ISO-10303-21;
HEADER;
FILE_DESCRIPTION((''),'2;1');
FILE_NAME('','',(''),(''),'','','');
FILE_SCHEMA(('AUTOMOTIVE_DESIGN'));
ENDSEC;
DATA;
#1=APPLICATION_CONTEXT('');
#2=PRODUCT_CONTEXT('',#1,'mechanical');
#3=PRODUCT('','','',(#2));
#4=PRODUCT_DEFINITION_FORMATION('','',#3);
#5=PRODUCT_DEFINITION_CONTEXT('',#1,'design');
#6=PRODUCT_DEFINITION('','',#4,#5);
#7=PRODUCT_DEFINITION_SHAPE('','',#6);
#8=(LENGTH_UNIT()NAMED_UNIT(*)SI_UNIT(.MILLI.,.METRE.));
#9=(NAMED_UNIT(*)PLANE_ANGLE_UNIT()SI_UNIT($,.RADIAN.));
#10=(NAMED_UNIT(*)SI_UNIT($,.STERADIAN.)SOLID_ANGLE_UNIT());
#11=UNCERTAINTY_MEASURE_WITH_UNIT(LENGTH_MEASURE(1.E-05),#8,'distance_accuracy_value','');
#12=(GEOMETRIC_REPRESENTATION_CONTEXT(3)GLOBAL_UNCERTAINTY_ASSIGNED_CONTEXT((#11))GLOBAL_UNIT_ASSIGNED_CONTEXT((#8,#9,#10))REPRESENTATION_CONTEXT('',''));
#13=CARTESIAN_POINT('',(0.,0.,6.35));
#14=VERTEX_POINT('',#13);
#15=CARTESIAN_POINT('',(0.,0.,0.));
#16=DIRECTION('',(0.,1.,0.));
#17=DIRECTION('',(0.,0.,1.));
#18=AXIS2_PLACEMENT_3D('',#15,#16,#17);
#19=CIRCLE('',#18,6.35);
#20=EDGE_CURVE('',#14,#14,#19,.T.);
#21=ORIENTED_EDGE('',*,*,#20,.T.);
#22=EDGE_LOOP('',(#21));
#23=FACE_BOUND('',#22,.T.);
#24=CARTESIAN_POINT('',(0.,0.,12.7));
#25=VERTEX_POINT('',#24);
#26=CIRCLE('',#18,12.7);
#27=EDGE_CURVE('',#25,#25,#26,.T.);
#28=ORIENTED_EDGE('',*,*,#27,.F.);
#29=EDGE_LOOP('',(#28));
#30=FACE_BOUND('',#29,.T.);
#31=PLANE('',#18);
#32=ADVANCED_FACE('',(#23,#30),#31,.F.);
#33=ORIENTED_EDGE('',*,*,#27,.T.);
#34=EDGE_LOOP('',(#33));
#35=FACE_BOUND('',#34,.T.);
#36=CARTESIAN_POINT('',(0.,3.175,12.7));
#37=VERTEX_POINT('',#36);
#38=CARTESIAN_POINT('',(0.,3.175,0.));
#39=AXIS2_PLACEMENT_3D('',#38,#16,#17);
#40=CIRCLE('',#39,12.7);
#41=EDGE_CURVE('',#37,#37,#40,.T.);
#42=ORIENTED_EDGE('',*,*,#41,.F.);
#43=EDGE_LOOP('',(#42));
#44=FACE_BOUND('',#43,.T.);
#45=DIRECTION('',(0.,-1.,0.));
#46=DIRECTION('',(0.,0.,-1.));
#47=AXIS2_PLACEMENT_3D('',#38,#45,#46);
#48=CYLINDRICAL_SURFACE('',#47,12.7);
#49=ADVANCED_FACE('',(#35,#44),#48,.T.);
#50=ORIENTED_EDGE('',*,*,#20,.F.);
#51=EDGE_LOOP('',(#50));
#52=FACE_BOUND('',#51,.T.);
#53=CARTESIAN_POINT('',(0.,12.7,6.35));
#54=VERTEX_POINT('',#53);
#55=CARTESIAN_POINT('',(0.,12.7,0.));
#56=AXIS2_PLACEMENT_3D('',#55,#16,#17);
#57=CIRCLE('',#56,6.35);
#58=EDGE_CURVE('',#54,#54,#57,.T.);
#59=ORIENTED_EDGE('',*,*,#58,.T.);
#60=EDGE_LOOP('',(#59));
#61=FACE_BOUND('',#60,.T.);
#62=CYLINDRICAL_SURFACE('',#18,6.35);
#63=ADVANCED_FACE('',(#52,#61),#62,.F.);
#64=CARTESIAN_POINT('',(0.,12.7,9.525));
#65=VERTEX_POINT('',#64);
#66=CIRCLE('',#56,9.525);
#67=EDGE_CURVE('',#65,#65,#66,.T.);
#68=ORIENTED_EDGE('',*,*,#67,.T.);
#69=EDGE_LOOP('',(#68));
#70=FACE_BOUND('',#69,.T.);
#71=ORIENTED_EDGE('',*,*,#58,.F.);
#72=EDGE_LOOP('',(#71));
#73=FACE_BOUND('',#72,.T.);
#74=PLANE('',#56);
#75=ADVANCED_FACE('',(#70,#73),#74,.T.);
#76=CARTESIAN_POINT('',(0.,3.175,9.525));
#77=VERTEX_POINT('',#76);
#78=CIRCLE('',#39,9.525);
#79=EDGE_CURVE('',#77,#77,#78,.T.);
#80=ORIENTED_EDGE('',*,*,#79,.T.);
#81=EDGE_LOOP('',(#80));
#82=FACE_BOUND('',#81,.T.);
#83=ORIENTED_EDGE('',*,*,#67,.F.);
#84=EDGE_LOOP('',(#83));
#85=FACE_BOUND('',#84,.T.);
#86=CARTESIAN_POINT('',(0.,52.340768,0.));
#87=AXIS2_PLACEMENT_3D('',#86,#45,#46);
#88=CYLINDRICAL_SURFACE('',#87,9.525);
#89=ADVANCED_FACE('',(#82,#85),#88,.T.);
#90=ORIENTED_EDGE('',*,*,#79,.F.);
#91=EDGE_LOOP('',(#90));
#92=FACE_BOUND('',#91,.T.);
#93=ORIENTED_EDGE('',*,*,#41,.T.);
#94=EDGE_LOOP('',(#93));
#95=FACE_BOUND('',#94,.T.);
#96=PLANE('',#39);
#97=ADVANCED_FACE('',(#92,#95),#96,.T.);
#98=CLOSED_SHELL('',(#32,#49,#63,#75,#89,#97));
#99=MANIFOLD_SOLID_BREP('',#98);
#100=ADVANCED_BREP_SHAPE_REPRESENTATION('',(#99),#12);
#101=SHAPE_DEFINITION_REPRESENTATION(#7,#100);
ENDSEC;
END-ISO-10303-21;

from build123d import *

# Parameters (mm, degrees)
SKETCH1_R           = 12.7
BOSS_EXTRUDE1_DEPTH = 3.175
SKETCH2_R           = 9.525
BOSS_EXTRUDE2_DEPTH = 9.525
SKETCH3_R           = 6.35
CUT_EXTRUDE1_DEPTH  = 22.997045256


with BuildPart() as part:
    # Sketch1 → Boss-Extrude1 (new body)
    with BuildSketch(Plane(origin=(0, 0, 0), x_dir=(1, 0, 0), z_dir=(0, 1, 0))):
        with Locations(Location((0, 0, 0), (0, 0, 270))):
            Circle(SKETCH1_R)
    extrude(amount=BOSS_EXTRUDE1_DEPTH)

    # Sketch2 → Boss-Extrude2 (add)
    with BuildSketch(Plane(origin=(0, 3.175, 0), x_dir=(1, 0, 0), z_dir=(0, 1, 0))):
        with Locations(Location((0, 0, 0), (0, 0, 270))):
            Circle(SKETCH2_R)
    extrude(amount=BOSS_EXTRUDE2_DEPTH)

    # Sketch3 → Cut-Extrude1 (cut, through all)
    with BuildSketch(Plane(origin=(0, 12.7, 0), x_dir=(1, 0, 0), z_dir=(0, 1, 0))):
        with Locations(Location((0, 0, 0), (0, 0, 270))):
            Circle(SKETCH3_R)
    extrude(amount=-CUT_EXTRUDE1_DEPTH, mode=Mode.SUBTRACT)


solid = part.part
